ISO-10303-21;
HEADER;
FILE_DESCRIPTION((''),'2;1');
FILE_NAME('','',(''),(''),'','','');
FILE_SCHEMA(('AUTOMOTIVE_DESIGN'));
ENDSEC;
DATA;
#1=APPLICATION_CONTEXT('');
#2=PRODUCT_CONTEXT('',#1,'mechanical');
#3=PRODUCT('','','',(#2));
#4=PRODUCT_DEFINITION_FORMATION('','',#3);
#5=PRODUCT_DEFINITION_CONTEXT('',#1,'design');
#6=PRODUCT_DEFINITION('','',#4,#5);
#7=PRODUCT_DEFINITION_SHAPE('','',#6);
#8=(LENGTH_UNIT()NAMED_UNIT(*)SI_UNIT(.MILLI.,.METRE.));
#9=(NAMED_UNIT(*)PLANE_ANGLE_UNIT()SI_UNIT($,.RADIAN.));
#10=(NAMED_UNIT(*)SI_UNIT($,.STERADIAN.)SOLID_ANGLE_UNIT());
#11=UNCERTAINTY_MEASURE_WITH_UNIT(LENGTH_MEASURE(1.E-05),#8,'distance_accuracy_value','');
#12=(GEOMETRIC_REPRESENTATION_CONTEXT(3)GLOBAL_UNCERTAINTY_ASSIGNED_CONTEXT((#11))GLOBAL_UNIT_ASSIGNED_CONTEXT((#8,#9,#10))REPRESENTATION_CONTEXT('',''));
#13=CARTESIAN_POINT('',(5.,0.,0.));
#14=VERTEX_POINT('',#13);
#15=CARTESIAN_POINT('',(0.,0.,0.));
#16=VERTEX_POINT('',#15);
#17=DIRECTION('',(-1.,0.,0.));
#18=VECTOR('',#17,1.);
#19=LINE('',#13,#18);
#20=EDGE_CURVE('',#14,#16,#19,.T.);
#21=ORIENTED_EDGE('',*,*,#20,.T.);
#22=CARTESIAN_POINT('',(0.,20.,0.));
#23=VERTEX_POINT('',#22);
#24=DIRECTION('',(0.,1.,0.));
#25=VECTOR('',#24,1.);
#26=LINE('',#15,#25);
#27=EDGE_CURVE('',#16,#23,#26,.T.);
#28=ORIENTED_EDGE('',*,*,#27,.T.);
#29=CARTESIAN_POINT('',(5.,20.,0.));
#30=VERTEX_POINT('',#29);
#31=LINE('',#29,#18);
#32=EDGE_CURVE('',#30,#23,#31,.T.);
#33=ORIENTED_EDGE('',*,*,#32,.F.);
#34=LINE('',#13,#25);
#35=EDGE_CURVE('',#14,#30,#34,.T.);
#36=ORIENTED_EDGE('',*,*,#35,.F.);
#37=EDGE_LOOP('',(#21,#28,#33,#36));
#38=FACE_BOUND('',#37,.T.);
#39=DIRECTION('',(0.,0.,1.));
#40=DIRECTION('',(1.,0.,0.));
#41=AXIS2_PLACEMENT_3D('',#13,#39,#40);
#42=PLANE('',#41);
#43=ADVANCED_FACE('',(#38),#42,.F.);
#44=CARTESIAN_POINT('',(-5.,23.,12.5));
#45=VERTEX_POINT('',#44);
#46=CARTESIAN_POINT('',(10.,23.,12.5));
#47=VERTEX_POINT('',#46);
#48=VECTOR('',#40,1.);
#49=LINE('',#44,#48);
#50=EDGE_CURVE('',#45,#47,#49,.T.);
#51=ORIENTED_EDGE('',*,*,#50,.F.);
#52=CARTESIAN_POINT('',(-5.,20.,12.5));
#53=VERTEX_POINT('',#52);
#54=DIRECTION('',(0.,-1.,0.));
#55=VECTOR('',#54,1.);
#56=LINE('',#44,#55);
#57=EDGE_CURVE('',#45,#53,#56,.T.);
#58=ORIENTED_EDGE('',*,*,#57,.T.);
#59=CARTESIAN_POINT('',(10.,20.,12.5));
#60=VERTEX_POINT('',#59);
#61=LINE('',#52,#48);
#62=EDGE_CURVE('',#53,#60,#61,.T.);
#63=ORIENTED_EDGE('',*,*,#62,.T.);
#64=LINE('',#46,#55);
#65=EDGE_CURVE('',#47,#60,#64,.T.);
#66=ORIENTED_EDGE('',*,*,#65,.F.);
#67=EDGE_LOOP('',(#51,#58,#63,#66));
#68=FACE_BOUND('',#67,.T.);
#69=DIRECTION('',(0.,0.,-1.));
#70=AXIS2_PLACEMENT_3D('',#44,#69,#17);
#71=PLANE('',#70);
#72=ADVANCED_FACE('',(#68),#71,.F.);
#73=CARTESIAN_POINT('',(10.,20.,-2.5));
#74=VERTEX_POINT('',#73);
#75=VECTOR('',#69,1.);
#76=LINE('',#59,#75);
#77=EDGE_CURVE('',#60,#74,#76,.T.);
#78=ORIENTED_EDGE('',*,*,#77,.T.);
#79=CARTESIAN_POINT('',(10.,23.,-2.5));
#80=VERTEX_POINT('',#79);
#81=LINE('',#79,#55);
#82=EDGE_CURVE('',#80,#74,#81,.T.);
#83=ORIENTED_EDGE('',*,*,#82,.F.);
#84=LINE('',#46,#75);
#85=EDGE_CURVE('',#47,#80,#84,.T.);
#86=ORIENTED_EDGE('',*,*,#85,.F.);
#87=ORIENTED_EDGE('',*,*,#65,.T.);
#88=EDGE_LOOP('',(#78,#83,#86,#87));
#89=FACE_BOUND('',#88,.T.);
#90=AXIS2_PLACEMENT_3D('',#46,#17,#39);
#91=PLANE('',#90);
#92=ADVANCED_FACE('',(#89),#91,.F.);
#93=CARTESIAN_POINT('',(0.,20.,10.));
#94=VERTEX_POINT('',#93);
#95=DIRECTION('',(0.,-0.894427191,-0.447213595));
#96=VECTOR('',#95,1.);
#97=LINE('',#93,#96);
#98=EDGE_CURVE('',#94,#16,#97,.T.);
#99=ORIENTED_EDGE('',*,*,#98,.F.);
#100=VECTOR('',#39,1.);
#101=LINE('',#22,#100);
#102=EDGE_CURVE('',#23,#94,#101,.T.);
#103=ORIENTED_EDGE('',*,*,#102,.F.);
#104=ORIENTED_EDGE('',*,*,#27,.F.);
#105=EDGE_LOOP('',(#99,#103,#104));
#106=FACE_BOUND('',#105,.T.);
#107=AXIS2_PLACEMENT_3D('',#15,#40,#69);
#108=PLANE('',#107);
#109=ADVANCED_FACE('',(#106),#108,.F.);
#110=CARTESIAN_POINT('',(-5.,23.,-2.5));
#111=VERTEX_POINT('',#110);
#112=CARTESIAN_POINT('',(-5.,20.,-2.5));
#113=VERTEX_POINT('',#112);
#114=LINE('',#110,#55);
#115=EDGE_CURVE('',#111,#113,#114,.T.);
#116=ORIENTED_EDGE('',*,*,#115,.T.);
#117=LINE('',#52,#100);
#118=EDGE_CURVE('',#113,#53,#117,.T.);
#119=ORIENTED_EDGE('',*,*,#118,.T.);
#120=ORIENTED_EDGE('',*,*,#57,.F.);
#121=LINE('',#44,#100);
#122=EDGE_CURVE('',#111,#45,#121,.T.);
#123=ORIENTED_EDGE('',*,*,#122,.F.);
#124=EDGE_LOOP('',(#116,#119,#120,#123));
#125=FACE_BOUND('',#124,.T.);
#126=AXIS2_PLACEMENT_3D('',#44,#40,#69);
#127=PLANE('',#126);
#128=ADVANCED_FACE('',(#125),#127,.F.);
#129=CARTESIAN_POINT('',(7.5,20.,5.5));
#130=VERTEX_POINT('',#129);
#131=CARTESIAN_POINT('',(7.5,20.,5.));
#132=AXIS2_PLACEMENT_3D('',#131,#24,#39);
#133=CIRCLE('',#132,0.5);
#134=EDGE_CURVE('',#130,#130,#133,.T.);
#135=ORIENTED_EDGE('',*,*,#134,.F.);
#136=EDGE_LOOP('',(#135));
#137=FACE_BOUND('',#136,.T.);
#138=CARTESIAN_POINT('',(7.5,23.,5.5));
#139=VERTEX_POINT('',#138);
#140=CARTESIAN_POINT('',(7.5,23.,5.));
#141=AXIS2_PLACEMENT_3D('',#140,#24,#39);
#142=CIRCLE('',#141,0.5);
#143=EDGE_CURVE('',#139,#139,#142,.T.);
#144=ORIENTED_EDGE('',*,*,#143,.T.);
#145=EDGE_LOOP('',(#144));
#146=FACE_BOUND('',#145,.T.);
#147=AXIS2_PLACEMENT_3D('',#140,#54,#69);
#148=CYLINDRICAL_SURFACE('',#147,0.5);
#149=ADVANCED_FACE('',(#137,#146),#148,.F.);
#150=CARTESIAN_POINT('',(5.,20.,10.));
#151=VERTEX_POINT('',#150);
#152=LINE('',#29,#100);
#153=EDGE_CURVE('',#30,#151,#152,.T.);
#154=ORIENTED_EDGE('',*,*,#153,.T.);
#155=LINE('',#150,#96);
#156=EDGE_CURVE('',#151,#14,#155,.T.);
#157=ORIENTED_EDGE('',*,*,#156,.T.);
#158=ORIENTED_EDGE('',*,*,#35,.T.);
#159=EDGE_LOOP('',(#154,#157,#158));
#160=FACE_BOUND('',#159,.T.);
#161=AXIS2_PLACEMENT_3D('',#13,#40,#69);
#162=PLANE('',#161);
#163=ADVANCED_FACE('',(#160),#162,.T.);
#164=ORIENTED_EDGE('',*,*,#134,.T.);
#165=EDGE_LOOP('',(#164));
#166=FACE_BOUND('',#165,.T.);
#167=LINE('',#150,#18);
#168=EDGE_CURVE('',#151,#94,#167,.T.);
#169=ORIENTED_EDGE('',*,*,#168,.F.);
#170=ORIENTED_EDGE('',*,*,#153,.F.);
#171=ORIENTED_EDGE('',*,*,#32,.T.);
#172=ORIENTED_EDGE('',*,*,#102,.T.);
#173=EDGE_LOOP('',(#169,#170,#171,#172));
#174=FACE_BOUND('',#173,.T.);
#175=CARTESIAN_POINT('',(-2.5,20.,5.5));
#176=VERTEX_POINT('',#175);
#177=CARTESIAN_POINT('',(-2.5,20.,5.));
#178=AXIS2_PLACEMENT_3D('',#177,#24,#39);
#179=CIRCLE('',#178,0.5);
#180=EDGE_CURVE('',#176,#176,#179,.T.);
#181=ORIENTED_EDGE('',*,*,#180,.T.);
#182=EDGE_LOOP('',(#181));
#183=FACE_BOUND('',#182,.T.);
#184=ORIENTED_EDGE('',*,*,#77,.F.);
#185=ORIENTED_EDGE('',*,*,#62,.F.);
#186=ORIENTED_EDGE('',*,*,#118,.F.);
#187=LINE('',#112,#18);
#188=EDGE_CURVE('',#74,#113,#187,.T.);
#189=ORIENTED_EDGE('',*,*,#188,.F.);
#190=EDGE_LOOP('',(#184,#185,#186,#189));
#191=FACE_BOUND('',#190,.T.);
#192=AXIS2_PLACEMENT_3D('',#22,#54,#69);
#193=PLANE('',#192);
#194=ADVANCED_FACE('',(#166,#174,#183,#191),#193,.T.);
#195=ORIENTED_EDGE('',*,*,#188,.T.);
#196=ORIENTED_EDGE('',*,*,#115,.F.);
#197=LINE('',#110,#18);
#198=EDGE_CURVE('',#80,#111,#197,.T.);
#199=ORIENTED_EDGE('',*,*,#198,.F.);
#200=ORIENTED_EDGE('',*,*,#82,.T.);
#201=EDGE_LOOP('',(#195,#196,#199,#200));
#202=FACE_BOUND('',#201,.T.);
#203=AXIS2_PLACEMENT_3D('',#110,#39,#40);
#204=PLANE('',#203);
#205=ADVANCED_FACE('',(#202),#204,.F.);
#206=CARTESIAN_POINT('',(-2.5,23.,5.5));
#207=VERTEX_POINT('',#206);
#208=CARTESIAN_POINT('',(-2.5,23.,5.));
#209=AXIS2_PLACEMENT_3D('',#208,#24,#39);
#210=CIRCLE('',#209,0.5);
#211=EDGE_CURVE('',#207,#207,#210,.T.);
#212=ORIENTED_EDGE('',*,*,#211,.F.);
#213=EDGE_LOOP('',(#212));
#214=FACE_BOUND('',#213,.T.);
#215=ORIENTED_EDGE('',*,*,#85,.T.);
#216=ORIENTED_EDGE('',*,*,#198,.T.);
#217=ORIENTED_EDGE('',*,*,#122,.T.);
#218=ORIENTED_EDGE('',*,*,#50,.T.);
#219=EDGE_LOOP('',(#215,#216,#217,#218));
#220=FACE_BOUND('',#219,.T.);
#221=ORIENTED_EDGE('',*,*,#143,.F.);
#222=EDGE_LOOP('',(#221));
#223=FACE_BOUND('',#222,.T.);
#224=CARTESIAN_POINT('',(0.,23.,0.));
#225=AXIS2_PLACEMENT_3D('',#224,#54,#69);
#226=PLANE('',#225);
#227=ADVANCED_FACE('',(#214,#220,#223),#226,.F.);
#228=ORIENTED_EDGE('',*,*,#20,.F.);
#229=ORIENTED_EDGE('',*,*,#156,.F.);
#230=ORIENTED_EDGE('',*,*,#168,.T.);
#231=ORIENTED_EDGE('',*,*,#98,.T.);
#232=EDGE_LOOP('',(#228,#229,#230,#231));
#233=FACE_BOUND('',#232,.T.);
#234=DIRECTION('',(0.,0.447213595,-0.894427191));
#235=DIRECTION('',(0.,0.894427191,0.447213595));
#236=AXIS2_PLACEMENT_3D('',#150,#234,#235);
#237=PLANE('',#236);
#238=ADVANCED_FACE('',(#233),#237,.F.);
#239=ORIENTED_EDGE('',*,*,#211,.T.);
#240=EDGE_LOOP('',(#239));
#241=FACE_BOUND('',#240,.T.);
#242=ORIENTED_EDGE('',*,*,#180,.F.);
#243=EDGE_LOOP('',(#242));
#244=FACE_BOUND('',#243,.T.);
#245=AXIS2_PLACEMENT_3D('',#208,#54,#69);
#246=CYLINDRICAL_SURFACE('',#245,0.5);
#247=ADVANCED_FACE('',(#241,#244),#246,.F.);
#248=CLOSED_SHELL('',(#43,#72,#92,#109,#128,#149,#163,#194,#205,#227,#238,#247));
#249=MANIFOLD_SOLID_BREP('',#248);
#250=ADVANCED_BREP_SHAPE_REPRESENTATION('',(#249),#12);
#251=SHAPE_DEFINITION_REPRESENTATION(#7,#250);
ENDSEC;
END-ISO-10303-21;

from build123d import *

# Parameters (mm, degrees)
EXTRUDE_1_DEPTH = 5
SKETCH_2_W      = 15
SKETCH_2_H      = 15
SKETCH_2_R      = 0.5
EXTRUDE_2_DEPTH = 3


with BuildPart() as part:
    # Эскиз1 → Бобышка-Вытянуть1 (new body)
    with BuildSketch(Plane(origin=(0, 0, 0), x_dir=(0, 0, -1), z_dir=(1, 0, 0))):
        Polygon((-10, 20), (0, 0), (0, 20), align=None)
    extrude(amount=EXTRUDE_1_DEPTH)

    # Эскиз2 → Бобышка-Вытянуть2 (add)
    with BuildSketch(Plane(origin=(0, 20, 0), x_dir=(1, 0, 0), z_dir=(0, 1, 0))):
        with Locations((2.5, -5)):
            Rectangle(SKETCH_2_W, SKETCH_2_H)
        with Locations(Location((-2.5, -5, 0), (0, 0, 270))):
            Circle(SKETCH_2_R, mode=Mode.SUBTRACT)
        with Locations(Location((7.5, -5, 0), (0, 0, 270))):
            Circle(SKETCH_2_R, mode=Mode.SUBTRACT)
    extrude(amount=EXTRUDE_2_DEPTH)


solid = part.part
